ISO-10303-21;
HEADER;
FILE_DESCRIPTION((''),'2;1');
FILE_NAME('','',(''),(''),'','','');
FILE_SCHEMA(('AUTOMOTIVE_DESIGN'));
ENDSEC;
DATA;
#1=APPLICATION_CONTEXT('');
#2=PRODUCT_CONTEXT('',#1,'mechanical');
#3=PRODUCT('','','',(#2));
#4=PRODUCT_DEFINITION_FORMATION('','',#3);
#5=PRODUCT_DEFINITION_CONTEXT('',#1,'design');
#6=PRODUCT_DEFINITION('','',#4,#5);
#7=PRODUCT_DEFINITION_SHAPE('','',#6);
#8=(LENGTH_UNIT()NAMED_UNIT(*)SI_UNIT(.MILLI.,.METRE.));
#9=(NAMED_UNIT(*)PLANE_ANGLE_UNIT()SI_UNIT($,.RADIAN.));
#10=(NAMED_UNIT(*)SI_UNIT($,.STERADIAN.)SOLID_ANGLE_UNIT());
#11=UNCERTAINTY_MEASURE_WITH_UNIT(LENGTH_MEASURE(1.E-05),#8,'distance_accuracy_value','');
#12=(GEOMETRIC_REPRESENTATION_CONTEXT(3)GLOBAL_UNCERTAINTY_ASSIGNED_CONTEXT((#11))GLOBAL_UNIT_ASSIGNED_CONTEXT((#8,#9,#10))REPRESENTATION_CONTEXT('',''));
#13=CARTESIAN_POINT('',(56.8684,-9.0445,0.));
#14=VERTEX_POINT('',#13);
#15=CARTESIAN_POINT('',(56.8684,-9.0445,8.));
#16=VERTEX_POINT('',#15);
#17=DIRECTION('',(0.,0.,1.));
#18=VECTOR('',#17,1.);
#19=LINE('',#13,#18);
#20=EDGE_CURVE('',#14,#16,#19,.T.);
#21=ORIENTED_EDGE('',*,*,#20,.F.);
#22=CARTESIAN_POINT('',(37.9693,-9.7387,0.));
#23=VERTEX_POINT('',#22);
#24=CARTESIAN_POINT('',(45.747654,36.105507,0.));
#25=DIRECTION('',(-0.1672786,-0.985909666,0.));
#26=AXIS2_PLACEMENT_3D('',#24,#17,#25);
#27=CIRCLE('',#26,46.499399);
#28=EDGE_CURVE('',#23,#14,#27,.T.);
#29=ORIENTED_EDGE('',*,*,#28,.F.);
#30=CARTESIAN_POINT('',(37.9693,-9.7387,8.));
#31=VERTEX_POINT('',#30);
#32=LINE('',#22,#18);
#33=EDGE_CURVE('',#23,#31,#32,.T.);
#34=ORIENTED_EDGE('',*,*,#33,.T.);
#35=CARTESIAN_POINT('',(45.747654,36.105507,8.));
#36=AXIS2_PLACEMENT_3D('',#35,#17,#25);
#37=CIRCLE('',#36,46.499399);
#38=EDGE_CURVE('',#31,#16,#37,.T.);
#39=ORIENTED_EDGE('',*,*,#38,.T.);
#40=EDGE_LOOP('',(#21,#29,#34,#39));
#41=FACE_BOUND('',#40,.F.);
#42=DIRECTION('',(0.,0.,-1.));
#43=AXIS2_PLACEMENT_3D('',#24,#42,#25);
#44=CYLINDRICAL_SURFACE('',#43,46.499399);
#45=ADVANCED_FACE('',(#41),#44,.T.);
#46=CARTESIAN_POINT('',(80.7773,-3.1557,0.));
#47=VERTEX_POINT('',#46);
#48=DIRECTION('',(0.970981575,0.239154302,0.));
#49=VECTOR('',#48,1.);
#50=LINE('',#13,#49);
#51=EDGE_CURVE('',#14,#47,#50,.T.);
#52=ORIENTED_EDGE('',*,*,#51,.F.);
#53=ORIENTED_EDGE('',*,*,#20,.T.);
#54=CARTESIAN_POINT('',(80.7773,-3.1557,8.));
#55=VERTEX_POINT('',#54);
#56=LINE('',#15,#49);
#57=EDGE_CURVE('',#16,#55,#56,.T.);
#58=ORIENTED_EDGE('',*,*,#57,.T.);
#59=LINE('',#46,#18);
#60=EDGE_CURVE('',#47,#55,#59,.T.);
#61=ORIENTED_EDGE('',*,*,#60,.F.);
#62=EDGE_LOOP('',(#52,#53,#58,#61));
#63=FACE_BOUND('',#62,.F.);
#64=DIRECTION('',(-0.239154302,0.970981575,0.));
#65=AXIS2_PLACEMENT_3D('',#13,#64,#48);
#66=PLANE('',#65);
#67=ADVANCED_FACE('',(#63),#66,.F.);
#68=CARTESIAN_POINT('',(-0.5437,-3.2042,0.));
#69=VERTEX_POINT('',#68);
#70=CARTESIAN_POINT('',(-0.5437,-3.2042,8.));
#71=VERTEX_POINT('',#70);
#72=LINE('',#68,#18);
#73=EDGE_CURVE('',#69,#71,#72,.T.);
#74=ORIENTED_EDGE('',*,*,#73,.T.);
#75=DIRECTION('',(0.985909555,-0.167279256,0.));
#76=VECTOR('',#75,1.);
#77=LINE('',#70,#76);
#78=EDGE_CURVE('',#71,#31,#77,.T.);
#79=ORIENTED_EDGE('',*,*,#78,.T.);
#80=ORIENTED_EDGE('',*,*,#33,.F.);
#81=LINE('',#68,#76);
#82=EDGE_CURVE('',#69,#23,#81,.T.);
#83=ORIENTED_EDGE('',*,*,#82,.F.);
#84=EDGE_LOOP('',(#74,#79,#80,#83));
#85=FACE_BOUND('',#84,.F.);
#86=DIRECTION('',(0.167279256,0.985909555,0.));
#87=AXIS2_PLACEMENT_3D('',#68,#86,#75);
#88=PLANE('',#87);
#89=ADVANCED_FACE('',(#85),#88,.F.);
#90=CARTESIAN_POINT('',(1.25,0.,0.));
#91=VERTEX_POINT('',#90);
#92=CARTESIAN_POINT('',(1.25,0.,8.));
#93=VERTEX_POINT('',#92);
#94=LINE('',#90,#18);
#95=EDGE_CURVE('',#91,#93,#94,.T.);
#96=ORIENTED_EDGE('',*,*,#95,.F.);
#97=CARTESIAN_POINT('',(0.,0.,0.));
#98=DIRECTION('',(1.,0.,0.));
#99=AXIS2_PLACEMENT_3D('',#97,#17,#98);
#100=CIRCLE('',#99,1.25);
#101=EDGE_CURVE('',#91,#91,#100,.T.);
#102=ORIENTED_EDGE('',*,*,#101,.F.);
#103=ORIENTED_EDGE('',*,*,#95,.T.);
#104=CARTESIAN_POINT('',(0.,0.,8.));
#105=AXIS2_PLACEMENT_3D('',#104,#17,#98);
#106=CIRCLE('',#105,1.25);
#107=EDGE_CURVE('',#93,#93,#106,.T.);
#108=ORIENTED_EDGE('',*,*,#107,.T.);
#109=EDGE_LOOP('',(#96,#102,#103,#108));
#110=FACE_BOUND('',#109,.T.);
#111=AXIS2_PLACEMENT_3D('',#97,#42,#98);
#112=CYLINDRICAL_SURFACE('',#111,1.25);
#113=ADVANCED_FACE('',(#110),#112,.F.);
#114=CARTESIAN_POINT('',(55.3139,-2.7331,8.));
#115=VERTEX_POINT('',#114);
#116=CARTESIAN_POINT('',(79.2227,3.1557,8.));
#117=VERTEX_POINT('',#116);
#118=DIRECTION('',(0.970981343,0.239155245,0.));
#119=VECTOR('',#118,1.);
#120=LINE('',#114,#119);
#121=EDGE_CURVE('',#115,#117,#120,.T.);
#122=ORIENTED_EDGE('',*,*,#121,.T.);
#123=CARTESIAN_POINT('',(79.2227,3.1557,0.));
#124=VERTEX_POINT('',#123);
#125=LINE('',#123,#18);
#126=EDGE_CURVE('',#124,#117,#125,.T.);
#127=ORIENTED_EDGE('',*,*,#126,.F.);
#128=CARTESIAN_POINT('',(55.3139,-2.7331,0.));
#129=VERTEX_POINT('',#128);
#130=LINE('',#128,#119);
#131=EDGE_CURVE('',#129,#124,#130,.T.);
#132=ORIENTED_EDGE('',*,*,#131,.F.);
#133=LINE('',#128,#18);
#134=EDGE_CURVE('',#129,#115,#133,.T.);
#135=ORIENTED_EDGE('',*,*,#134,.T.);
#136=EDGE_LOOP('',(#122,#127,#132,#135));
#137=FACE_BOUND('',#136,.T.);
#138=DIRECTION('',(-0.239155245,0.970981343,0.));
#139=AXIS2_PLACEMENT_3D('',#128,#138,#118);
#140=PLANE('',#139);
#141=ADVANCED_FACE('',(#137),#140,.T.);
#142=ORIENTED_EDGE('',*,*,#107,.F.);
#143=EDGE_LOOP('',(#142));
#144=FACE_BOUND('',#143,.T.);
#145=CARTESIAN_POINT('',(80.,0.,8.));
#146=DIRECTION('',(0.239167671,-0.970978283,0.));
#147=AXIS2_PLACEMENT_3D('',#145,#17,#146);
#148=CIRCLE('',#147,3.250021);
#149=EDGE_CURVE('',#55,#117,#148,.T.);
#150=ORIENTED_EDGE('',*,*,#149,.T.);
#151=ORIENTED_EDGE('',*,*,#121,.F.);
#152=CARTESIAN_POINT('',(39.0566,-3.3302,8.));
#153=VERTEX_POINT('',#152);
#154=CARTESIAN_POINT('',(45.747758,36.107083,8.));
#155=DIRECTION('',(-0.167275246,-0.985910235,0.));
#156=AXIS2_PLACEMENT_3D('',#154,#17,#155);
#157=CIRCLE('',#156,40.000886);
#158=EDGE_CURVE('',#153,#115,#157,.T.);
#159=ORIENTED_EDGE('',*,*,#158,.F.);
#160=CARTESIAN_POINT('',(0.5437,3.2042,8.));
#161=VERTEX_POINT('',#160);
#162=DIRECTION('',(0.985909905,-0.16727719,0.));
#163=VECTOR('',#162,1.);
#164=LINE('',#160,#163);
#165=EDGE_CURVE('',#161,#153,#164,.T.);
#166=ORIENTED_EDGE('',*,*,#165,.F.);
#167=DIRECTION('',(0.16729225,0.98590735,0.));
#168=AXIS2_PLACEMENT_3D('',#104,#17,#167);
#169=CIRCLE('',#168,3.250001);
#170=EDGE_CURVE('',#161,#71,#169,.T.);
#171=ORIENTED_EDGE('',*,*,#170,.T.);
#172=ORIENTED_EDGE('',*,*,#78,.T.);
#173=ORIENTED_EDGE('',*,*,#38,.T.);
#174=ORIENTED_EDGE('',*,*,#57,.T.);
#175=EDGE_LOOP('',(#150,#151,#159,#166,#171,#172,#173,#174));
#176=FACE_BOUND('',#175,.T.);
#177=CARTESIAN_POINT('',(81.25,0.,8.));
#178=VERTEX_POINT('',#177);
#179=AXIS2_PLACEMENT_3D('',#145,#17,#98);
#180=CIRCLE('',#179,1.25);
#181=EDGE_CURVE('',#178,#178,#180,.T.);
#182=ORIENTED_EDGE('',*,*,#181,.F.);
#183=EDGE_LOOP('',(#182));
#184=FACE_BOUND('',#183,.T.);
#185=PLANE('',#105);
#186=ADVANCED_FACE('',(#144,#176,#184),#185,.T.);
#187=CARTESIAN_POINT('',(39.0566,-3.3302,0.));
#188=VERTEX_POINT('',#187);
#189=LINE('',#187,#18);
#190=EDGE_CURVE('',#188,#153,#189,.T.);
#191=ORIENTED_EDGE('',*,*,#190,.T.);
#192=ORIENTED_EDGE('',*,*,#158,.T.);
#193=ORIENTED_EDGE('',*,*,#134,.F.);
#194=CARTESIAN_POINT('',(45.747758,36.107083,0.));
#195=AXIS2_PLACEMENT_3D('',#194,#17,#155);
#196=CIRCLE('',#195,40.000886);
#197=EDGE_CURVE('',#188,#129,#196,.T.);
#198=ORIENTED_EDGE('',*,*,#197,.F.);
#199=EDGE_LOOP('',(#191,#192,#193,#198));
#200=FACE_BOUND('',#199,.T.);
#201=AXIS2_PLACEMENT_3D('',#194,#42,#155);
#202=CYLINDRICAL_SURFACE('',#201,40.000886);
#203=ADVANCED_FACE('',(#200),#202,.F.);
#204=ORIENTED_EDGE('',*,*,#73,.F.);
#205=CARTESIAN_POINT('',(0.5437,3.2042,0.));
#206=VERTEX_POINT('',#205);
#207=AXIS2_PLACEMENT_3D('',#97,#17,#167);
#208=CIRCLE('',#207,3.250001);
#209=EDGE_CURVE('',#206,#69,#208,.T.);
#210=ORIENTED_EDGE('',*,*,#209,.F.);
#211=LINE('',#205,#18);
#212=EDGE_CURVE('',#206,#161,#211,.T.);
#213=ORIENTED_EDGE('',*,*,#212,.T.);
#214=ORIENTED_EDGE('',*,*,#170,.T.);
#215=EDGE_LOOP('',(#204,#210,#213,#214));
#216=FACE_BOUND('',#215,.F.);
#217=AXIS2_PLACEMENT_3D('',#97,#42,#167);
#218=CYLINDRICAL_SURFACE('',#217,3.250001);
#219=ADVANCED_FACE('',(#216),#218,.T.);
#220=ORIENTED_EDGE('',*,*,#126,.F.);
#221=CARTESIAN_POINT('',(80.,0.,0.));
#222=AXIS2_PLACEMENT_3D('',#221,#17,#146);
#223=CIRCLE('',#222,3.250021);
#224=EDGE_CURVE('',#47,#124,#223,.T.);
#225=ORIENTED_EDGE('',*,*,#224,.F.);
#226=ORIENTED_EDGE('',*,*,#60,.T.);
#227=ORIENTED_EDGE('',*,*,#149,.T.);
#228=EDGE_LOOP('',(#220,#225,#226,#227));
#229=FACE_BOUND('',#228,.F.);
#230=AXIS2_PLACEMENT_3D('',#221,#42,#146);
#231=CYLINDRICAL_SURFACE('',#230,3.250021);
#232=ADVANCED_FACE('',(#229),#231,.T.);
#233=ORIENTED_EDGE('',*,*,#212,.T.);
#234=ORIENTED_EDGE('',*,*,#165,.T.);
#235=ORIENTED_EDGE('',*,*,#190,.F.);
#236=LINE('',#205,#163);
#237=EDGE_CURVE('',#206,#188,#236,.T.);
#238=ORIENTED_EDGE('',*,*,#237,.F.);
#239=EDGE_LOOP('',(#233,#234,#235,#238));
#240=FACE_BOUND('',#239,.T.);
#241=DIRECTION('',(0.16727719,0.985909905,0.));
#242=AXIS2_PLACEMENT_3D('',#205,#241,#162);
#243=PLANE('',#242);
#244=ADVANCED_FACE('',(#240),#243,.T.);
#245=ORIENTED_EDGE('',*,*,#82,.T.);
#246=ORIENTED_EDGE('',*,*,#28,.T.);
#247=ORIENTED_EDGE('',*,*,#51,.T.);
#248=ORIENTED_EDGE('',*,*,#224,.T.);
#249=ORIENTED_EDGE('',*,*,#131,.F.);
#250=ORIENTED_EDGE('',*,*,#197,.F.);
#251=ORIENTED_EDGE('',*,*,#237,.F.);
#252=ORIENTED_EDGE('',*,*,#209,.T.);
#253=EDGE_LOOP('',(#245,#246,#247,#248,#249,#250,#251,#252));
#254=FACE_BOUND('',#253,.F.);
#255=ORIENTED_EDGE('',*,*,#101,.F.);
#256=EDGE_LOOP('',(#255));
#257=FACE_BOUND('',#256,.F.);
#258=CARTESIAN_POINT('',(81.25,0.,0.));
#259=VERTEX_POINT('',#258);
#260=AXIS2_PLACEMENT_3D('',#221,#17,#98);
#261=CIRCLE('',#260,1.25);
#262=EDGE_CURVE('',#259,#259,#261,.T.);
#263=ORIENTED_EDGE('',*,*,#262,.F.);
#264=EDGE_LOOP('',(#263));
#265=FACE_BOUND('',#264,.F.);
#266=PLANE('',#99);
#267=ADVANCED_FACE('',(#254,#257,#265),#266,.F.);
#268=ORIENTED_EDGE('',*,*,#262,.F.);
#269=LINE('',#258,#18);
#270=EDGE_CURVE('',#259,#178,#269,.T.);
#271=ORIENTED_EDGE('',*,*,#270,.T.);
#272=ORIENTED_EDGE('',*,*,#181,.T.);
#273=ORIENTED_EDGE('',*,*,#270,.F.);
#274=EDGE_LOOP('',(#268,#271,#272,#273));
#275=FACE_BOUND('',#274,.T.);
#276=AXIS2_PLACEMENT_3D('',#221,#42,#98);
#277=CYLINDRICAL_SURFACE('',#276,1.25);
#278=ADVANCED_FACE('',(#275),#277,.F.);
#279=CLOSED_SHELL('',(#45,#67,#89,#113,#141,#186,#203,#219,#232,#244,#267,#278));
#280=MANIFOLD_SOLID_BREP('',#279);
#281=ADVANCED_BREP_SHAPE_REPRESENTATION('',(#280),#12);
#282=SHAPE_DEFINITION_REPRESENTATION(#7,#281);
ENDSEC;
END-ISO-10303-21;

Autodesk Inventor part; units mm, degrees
ref_plane "YZ Plane" through (0, 0, 0) normal (1, 0, 0) x (0, 1, 0)
ref_plane "XZ Plane" through (0, 0, 0) normal (0, 1, 0) x (-1, 0, 0)
ref_plane "XY Plane" through (0, 0, 0) normal (0, 0, 1) x (1, 0, 0)
sketch "Skizze1" plane through (0, 0, 0) normal (0, 0, 1) x (1, 0, 0)
  line L0 (0, 0) -> (80, 0) construction
  arc A0 (0.5437, 3.2042) -> (-0.5437, -3.2042) centre (0, 0) ccw
  arc A1 (80.7773, -3.1557) -> (79.2227, 3.1557) centre (80, 0) ccw
  circle A2 centre (0, 0) radius 1.25
  circle A3 centre (80, 0) radius 1.25
  line L1 (0.5437, 3.2042) -> (39.0566, -3.3302)
  line L2 (55.3139, -2.7331) -> (79.2227, 3.1557)
  line L3 (-0.5437, -3.2042) -> (37.9693, -9.7387)
  line L4 (56.8684, -9.0445) -> (80.7773, -3.1557)
  arc A4 (39.0566, -3.3302) -> (55.3139, -2.7331) centre (45.7477, 36.1062) ccw
  arc A5 (37.9693, -9.7387) -> (56.8684, -9.0445) centre (45.7477, 36.1062) ccw
  point P0 (40, 0)
  dimension "d0" = 2.5
  dimension "d1" = 2
  dimension "d2" = 80
  dimension "d6" = 40
extrude "Extrusion1" add sketch "Skizze1" along normal blind 8
properties part number "Lever"
